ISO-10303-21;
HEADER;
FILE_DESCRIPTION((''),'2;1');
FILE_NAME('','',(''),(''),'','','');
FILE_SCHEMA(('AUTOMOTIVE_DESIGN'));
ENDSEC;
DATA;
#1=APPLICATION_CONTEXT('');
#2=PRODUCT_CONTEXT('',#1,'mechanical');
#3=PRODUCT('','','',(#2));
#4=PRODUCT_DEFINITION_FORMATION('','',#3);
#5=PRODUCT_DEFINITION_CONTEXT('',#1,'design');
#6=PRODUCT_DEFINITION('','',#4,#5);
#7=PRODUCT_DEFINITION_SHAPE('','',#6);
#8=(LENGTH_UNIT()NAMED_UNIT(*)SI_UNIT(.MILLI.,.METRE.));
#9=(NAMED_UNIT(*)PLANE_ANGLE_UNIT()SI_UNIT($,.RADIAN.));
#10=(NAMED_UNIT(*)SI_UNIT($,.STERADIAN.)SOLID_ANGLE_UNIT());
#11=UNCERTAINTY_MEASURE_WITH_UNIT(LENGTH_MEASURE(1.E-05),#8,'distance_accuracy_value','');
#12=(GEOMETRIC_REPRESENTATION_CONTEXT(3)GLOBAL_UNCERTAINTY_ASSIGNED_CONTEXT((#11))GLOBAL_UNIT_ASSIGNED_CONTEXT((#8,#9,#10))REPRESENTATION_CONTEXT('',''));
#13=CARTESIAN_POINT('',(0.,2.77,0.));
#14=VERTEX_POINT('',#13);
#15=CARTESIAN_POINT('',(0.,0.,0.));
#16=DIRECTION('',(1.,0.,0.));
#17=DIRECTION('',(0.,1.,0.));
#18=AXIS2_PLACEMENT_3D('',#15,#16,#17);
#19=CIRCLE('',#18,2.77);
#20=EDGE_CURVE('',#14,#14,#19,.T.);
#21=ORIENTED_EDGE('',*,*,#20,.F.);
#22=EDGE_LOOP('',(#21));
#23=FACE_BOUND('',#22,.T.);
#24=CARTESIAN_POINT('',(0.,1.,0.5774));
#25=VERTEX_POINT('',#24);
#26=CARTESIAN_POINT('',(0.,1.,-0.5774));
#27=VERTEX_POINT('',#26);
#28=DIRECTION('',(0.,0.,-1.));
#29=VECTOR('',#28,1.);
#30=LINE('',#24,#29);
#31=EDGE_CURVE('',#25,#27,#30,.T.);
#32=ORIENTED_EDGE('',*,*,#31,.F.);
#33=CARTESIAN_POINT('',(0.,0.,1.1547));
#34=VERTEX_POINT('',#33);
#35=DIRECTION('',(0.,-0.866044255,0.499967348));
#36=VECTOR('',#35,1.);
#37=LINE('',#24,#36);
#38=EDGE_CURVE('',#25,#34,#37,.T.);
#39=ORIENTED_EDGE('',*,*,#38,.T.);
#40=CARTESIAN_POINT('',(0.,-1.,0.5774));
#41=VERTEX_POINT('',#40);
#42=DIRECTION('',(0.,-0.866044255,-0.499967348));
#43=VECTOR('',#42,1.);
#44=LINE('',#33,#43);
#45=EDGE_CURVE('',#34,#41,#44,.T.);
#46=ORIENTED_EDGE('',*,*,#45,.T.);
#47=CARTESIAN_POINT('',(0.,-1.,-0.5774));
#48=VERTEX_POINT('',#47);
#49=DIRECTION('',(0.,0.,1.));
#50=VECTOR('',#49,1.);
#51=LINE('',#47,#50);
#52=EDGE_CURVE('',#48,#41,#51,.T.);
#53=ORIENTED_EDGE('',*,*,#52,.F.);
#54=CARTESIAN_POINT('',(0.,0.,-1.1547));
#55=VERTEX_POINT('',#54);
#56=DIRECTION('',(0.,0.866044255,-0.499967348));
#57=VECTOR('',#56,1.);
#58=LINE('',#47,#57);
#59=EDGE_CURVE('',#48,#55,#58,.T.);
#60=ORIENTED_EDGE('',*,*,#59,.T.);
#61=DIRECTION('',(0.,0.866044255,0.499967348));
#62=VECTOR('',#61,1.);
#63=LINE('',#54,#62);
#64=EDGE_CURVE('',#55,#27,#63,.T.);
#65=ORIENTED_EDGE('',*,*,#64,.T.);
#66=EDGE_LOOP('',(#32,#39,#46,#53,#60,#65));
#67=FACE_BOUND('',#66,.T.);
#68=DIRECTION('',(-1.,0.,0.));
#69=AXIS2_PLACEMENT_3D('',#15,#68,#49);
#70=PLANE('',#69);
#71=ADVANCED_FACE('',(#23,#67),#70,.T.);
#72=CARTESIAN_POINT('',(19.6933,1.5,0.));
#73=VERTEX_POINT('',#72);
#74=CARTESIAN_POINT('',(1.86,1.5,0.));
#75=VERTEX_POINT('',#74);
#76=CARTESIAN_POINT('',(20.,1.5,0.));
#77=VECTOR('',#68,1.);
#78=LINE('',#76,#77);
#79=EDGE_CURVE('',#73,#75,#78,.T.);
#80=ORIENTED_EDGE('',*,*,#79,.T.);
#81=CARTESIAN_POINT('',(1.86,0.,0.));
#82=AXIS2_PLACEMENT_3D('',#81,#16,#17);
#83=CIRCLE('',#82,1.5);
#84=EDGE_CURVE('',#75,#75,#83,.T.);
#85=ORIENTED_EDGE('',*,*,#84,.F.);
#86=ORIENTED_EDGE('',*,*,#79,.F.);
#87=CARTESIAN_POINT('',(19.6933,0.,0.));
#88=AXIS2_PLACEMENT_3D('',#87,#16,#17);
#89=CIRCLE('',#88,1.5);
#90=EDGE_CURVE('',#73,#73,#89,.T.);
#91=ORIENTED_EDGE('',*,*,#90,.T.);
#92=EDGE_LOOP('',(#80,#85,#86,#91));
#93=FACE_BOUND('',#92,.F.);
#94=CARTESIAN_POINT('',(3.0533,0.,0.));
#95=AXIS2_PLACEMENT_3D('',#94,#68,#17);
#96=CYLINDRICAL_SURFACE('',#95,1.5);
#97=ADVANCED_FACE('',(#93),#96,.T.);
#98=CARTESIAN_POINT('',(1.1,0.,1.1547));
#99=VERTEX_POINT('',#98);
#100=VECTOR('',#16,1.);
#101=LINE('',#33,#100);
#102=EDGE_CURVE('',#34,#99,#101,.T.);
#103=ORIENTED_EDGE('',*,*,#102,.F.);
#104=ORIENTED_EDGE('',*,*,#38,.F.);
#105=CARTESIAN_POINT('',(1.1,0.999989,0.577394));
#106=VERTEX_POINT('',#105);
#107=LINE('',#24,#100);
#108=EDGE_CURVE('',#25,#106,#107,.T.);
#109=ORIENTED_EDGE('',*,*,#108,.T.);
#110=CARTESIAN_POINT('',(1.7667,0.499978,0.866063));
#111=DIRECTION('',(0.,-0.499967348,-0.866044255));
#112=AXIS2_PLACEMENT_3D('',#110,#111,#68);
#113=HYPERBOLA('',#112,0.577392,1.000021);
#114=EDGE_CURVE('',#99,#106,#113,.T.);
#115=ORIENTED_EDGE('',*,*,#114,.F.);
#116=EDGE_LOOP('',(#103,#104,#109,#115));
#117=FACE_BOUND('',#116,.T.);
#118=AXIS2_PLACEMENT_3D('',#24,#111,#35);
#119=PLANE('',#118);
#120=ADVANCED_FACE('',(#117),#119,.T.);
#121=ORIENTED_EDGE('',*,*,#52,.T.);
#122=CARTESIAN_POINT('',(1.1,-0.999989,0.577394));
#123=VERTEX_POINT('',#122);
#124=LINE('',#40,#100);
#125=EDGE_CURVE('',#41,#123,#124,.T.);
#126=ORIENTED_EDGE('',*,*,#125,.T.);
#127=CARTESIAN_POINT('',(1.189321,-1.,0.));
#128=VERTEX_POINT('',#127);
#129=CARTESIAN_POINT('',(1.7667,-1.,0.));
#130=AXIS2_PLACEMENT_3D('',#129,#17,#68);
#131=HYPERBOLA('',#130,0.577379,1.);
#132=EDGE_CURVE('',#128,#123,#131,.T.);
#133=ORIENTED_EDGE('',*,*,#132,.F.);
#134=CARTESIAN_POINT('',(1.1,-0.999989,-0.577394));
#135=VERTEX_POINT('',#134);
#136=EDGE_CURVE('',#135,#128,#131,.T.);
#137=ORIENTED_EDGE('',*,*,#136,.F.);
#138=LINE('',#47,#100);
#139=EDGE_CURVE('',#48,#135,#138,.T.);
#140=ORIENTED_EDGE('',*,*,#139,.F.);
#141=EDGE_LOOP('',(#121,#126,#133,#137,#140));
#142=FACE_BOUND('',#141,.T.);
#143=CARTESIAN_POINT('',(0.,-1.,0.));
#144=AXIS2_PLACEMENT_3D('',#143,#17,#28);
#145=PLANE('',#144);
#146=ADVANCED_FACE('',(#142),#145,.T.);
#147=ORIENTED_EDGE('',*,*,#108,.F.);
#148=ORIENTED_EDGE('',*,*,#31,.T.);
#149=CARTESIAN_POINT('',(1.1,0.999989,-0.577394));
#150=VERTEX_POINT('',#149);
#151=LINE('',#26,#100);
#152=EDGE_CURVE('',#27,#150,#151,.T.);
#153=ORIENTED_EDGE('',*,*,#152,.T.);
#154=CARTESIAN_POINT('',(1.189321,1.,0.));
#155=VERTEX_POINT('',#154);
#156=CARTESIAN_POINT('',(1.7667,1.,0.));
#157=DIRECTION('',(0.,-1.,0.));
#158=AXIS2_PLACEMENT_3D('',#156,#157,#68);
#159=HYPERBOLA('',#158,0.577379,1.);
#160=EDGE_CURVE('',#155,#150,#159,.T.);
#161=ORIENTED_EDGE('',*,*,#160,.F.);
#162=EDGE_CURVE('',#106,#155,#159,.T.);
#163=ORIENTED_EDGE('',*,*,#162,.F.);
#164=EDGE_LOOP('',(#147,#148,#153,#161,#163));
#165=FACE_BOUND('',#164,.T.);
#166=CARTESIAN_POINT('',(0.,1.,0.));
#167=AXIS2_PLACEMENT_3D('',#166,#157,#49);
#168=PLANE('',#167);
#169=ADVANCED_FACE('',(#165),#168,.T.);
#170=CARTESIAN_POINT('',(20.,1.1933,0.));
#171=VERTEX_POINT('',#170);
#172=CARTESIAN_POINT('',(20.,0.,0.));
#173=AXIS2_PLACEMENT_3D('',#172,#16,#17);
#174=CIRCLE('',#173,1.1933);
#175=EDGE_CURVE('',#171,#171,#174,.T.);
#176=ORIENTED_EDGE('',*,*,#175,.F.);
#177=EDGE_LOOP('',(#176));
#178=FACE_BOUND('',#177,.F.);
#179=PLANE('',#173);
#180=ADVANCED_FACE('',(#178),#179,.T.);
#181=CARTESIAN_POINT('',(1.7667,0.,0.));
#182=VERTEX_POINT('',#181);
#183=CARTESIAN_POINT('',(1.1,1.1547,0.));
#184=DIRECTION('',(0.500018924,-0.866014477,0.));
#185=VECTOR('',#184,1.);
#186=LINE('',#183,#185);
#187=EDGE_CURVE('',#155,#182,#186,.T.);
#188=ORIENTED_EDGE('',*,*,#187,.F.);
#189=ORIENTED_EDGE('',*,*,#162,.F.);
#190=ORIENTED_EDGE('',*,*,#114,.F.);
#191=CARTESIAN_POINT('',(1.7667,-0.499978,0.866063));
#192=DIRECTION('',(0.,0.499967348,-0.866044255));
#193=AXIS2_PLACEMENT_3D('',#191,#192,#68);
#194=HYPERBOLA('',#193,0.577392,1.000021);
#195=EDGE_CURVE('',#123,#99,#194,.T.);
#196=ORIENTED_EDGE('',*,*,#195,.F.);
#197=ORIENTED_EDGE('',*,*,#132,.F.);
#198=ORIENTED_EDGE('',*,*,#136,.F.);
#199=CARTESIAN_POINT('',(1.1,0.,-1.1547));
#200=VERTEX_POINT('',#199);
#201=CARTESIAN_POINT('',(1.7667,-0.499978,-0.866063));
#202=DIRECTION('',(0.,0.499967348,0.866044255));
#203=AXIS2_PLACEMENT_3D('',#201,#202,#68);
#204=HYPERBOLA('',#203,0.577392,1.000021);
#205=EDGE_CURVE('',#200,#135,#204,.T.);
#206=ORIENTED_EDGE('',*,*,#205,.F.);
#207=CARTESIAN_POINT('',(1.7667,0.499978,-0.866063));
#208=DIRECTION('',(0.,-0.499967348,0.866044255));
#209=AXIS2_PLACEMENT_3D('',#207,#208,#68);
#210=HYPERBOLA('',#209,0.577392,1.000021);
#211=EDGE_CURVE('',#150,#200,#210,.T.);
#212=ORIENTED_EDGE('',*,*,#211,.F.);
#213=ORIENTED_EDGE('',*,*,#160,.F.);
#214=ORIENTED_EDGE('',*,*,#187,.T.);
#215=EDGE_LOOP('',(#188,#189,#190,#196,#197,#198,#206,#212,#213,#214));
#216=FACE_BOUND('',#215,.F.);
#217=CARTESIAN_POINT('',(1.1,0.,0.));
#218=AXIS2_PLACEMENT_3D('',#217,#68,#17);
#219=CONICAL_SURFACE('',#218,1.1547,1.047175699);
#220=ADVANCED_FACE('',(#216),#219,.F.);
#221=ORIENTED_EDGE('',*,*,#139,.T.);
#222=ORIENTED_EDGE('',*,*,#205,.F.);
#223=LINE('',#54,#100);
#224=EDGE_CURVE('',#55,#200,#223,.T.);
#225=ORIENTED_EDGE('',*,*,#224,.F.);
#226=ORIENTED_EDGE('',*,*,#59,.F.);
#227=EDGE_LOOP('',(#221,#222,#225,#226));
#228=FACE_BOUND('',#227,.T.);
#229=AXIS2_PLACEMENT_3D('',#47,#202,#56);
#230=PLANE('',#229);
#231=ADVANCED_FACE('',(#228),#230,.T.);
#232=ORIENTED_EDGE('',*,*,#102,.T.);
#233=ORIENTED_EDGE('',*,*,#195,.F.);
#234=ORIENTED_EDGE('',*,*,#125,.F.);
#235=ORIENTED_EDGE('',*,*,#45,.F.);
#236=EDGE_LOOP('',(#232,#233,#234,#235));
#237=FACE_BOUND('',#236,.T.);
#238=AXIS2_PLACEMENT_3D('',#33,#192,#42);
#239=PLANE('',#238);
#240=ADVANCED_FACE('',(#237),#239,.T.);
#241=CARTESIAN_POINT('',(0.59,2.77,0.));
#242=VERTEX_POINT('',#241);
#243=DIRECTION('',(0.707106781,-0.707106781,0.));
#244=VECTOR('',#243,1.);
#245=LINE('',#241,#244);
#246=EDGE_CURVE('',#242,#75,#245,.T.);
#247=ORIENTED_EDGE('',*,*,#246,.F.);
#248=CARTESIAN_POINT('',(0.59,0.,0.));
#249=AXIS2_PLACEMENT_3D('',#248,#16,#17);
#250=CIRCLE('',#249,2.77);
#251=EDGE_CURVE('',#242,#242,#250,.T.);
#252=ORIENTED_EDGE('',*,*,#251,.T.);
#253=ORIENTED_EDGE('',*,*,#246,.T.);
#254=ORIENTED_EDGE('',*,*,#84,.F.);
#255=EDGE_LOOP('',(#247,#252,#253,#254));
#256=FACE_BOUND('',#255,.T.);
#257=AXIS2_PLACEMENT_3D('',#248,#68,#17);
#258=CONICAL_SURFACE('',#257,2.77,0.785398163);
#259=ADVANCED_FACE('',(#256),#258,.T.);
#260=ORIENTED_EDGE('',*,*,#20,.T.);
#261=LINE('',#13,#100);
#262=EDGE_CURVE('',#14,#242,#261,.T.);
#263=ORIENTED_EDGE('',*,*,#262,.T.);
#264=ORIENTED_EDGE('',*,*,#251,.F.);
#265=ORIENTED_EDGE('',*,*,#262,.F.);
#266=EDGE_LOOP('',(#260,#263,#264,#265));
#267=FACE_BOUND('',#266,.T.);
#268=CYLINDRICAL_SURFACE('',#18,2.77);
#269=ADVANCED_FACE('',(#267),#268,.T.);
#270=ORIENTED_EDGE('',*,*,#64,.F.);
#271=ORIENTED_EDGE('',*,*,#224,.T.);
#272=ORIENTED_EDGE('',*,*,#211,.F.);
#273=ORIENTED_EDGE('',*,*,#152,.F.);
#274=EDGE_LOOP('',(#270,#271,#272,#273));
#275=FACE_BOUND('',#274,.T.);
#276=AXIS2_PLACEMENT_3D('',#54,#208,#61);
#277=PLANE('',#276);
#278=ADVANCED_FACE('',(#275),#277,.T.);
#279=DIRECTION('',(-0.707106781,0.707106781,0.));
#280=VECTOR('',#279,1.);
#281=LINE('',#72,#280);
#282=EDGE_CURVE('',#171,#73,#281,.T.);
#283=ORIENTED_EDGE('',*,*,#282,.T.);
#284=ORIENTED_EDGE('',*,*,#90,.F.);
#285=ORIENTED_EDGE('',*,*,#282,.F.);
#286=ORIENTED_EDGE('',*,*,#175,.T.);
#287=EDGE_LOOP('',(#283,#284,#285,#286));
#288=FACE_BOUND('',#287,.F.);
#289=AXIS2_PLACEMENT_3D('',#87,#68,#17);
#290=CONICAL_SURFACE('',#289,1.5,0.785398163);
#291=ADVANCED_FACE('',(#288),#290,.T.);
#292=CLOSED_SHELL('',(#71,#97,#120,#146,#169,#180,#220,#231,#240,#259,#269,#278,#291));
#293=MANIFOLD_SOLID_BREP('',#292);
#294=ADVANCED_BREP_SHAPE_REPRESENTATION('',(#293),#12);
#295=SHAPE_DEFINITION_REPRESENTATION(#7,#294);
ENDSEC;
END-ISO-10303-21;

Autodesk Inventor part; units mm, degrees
ref_plane "YZ Plane" through (0, 0, 0) normal (1, 0, 0) x (0, 1, 0)
ref_plane "XZ Plane" through (0, 0, 0) normal (0, 1, 0) x (-1, 0, 0)
sketch "Sketch1" plane through (0, 0, 0) normal (0, 0, 1) x (1, 0, 0)
  line L0 (20, 0) -> (20, 1.5)
  line L1 (20, 1.5) -> (3.36, 1.5)
  line L2 (3.36, 1.5) -> (3.0533, 1.5)
  line L3 (0, 2.77) -> (0, 1.1547)
  line L4 (0, 1.1547) -> (1.1, 1.1547)
  line L5 (1.1, 1.1547) -> (1.7667, 0)
  line L6 (1.7667, 0) -> (20, 0)
  line L7 (0, 2.77) -> (0.59, 2.77)
  line L8 (0.59, 2.77) -> (1.86, 1.5)
  line L9 (3.0533, 1.5) -> (1.86, 1.5)
  line L10 (3.36, 1.5) -> (1.86, 1.5) construction
  line L11 (1.86, 1.5) -> (1.86, 1.5)
  line L12 (-25.4, 0) -> (152.4, 0) projected
  line L13 (0, -2.1133) -> (0, 12.6797) projected
  dimension "d0" = 20
  dimension "d1" = 16.64
  dimension "d2" = 1.1
  dimension "d3" = 3
  dimension "d6" = 1.86
  dimension "d7" = 45
  dimension "d8" = 2.3094
  dimension "d9" = 60
  dimension "d10" = 5.54
  dimension "d11" = 3
  dimension "d12" = 0.3067
revolve "Body" add sketch "Sketch1" angle 360 about axis through (1.7667, 0, 0) along (1, 0, 0) contours L6 L5 L4 L3 L7 L8 L9 L2 L1 L0
sketch "Sketch2" plane through (0, 0, 0) normal (-1, 0, 0) x (0, 0, 1)
  circle A0 centre (0, 0) radius 1.1547 projected
  line L0 (0, -6.4055) -> (0, 6.4055) projected
  line L1 (-6.4055, 0) -> (6.4055, 0) projected
  line L2 (1.1547, 0) -> (0.5774, -1)
  line L3 (0.5774, -1) -> (-0.5774, -1)
  line L4 (-0.5774, -1) -> (-1.1547, 0)
  line L5 (-1.1547, 0) -> (-0.5774, 1)
  line L6 (-0.5774, 1) -> (0.5774, 1)
  line L7 (0.5774, 1) -> (1.1547, 0)
  point P0 (0, 1.1547)
extrude "Slot" add sketch "Sketch2" against normal up to next contours L7 A0 | A0 L2 | L6 L0 A0 | A0 L0 L3 | L0 L6 A0 | A0 L3 L0 | L4 A0 | A0 L5
thread "Thread" size "M14x2" class "6g" standard "ISO Metric profile" length 16.64
chamfer "Chamfer1" distance 0.3067 distance2 0.3067 1 edges at (20, -1.5, 0) measured on face at (20, -0.3743, -0.3316)
ref_plane "Work Plane1" through (104.775, 0, 0) normal (0, 0, -1) x (1, 0, 0)
equation "\"d15\" = GEL"
equation "\"d17\" = -0.5 * SPD + 0.5 * GD"
equation "\"d18\" = GUL"
equation "\"d0\" = NLG"
equation "\"d1\" = GEL"
equation "\"d2\" = INTI"
equation "\"d3\" = GD"
equation "\"d6\" = KOH"
equation "\"d7\" = 0.5 * SEWI"
equation "\"d8\" = 1.1547 * SW"
equation "\"d10\" = KOD"
equation "\"d11\" = BDM"
equation "\"d12\" = GAL"
equation "\"NLG\" = 20"
equation "\"INTI\" = 1.1"
equation "\"GEL\" = 16.64"
equation "\"GAL\" = 0.61345 * PTC"
equation "\"KOH\" = 1.86"
equation "\"KOD\" = 5.54"
equation "\"GUL\" = 0.61345 * PTC"
equation "\"SPD\" = NND - 1.2269 * PTC"
equation "\"BDM\" = NND"
equation "\"GD\" = NND"
equation "\"SEWI\" = 90deg"
equation "\"SW\" = 2"
equation "\"TOA\" = 30deg"
equation "\"GD1\" = THREADDIA - 1.2269 * PTC"
equation "\"EPV\" = 3.36"
equation "\"THREADDIA\" = 3"
equation "\"PTC\" = 0.5"
equation "\"NND\" = 3"
equation "\"E0\" = 2.31"
properties part number "ISO 10642  - M3  x  20" material "Steel"
